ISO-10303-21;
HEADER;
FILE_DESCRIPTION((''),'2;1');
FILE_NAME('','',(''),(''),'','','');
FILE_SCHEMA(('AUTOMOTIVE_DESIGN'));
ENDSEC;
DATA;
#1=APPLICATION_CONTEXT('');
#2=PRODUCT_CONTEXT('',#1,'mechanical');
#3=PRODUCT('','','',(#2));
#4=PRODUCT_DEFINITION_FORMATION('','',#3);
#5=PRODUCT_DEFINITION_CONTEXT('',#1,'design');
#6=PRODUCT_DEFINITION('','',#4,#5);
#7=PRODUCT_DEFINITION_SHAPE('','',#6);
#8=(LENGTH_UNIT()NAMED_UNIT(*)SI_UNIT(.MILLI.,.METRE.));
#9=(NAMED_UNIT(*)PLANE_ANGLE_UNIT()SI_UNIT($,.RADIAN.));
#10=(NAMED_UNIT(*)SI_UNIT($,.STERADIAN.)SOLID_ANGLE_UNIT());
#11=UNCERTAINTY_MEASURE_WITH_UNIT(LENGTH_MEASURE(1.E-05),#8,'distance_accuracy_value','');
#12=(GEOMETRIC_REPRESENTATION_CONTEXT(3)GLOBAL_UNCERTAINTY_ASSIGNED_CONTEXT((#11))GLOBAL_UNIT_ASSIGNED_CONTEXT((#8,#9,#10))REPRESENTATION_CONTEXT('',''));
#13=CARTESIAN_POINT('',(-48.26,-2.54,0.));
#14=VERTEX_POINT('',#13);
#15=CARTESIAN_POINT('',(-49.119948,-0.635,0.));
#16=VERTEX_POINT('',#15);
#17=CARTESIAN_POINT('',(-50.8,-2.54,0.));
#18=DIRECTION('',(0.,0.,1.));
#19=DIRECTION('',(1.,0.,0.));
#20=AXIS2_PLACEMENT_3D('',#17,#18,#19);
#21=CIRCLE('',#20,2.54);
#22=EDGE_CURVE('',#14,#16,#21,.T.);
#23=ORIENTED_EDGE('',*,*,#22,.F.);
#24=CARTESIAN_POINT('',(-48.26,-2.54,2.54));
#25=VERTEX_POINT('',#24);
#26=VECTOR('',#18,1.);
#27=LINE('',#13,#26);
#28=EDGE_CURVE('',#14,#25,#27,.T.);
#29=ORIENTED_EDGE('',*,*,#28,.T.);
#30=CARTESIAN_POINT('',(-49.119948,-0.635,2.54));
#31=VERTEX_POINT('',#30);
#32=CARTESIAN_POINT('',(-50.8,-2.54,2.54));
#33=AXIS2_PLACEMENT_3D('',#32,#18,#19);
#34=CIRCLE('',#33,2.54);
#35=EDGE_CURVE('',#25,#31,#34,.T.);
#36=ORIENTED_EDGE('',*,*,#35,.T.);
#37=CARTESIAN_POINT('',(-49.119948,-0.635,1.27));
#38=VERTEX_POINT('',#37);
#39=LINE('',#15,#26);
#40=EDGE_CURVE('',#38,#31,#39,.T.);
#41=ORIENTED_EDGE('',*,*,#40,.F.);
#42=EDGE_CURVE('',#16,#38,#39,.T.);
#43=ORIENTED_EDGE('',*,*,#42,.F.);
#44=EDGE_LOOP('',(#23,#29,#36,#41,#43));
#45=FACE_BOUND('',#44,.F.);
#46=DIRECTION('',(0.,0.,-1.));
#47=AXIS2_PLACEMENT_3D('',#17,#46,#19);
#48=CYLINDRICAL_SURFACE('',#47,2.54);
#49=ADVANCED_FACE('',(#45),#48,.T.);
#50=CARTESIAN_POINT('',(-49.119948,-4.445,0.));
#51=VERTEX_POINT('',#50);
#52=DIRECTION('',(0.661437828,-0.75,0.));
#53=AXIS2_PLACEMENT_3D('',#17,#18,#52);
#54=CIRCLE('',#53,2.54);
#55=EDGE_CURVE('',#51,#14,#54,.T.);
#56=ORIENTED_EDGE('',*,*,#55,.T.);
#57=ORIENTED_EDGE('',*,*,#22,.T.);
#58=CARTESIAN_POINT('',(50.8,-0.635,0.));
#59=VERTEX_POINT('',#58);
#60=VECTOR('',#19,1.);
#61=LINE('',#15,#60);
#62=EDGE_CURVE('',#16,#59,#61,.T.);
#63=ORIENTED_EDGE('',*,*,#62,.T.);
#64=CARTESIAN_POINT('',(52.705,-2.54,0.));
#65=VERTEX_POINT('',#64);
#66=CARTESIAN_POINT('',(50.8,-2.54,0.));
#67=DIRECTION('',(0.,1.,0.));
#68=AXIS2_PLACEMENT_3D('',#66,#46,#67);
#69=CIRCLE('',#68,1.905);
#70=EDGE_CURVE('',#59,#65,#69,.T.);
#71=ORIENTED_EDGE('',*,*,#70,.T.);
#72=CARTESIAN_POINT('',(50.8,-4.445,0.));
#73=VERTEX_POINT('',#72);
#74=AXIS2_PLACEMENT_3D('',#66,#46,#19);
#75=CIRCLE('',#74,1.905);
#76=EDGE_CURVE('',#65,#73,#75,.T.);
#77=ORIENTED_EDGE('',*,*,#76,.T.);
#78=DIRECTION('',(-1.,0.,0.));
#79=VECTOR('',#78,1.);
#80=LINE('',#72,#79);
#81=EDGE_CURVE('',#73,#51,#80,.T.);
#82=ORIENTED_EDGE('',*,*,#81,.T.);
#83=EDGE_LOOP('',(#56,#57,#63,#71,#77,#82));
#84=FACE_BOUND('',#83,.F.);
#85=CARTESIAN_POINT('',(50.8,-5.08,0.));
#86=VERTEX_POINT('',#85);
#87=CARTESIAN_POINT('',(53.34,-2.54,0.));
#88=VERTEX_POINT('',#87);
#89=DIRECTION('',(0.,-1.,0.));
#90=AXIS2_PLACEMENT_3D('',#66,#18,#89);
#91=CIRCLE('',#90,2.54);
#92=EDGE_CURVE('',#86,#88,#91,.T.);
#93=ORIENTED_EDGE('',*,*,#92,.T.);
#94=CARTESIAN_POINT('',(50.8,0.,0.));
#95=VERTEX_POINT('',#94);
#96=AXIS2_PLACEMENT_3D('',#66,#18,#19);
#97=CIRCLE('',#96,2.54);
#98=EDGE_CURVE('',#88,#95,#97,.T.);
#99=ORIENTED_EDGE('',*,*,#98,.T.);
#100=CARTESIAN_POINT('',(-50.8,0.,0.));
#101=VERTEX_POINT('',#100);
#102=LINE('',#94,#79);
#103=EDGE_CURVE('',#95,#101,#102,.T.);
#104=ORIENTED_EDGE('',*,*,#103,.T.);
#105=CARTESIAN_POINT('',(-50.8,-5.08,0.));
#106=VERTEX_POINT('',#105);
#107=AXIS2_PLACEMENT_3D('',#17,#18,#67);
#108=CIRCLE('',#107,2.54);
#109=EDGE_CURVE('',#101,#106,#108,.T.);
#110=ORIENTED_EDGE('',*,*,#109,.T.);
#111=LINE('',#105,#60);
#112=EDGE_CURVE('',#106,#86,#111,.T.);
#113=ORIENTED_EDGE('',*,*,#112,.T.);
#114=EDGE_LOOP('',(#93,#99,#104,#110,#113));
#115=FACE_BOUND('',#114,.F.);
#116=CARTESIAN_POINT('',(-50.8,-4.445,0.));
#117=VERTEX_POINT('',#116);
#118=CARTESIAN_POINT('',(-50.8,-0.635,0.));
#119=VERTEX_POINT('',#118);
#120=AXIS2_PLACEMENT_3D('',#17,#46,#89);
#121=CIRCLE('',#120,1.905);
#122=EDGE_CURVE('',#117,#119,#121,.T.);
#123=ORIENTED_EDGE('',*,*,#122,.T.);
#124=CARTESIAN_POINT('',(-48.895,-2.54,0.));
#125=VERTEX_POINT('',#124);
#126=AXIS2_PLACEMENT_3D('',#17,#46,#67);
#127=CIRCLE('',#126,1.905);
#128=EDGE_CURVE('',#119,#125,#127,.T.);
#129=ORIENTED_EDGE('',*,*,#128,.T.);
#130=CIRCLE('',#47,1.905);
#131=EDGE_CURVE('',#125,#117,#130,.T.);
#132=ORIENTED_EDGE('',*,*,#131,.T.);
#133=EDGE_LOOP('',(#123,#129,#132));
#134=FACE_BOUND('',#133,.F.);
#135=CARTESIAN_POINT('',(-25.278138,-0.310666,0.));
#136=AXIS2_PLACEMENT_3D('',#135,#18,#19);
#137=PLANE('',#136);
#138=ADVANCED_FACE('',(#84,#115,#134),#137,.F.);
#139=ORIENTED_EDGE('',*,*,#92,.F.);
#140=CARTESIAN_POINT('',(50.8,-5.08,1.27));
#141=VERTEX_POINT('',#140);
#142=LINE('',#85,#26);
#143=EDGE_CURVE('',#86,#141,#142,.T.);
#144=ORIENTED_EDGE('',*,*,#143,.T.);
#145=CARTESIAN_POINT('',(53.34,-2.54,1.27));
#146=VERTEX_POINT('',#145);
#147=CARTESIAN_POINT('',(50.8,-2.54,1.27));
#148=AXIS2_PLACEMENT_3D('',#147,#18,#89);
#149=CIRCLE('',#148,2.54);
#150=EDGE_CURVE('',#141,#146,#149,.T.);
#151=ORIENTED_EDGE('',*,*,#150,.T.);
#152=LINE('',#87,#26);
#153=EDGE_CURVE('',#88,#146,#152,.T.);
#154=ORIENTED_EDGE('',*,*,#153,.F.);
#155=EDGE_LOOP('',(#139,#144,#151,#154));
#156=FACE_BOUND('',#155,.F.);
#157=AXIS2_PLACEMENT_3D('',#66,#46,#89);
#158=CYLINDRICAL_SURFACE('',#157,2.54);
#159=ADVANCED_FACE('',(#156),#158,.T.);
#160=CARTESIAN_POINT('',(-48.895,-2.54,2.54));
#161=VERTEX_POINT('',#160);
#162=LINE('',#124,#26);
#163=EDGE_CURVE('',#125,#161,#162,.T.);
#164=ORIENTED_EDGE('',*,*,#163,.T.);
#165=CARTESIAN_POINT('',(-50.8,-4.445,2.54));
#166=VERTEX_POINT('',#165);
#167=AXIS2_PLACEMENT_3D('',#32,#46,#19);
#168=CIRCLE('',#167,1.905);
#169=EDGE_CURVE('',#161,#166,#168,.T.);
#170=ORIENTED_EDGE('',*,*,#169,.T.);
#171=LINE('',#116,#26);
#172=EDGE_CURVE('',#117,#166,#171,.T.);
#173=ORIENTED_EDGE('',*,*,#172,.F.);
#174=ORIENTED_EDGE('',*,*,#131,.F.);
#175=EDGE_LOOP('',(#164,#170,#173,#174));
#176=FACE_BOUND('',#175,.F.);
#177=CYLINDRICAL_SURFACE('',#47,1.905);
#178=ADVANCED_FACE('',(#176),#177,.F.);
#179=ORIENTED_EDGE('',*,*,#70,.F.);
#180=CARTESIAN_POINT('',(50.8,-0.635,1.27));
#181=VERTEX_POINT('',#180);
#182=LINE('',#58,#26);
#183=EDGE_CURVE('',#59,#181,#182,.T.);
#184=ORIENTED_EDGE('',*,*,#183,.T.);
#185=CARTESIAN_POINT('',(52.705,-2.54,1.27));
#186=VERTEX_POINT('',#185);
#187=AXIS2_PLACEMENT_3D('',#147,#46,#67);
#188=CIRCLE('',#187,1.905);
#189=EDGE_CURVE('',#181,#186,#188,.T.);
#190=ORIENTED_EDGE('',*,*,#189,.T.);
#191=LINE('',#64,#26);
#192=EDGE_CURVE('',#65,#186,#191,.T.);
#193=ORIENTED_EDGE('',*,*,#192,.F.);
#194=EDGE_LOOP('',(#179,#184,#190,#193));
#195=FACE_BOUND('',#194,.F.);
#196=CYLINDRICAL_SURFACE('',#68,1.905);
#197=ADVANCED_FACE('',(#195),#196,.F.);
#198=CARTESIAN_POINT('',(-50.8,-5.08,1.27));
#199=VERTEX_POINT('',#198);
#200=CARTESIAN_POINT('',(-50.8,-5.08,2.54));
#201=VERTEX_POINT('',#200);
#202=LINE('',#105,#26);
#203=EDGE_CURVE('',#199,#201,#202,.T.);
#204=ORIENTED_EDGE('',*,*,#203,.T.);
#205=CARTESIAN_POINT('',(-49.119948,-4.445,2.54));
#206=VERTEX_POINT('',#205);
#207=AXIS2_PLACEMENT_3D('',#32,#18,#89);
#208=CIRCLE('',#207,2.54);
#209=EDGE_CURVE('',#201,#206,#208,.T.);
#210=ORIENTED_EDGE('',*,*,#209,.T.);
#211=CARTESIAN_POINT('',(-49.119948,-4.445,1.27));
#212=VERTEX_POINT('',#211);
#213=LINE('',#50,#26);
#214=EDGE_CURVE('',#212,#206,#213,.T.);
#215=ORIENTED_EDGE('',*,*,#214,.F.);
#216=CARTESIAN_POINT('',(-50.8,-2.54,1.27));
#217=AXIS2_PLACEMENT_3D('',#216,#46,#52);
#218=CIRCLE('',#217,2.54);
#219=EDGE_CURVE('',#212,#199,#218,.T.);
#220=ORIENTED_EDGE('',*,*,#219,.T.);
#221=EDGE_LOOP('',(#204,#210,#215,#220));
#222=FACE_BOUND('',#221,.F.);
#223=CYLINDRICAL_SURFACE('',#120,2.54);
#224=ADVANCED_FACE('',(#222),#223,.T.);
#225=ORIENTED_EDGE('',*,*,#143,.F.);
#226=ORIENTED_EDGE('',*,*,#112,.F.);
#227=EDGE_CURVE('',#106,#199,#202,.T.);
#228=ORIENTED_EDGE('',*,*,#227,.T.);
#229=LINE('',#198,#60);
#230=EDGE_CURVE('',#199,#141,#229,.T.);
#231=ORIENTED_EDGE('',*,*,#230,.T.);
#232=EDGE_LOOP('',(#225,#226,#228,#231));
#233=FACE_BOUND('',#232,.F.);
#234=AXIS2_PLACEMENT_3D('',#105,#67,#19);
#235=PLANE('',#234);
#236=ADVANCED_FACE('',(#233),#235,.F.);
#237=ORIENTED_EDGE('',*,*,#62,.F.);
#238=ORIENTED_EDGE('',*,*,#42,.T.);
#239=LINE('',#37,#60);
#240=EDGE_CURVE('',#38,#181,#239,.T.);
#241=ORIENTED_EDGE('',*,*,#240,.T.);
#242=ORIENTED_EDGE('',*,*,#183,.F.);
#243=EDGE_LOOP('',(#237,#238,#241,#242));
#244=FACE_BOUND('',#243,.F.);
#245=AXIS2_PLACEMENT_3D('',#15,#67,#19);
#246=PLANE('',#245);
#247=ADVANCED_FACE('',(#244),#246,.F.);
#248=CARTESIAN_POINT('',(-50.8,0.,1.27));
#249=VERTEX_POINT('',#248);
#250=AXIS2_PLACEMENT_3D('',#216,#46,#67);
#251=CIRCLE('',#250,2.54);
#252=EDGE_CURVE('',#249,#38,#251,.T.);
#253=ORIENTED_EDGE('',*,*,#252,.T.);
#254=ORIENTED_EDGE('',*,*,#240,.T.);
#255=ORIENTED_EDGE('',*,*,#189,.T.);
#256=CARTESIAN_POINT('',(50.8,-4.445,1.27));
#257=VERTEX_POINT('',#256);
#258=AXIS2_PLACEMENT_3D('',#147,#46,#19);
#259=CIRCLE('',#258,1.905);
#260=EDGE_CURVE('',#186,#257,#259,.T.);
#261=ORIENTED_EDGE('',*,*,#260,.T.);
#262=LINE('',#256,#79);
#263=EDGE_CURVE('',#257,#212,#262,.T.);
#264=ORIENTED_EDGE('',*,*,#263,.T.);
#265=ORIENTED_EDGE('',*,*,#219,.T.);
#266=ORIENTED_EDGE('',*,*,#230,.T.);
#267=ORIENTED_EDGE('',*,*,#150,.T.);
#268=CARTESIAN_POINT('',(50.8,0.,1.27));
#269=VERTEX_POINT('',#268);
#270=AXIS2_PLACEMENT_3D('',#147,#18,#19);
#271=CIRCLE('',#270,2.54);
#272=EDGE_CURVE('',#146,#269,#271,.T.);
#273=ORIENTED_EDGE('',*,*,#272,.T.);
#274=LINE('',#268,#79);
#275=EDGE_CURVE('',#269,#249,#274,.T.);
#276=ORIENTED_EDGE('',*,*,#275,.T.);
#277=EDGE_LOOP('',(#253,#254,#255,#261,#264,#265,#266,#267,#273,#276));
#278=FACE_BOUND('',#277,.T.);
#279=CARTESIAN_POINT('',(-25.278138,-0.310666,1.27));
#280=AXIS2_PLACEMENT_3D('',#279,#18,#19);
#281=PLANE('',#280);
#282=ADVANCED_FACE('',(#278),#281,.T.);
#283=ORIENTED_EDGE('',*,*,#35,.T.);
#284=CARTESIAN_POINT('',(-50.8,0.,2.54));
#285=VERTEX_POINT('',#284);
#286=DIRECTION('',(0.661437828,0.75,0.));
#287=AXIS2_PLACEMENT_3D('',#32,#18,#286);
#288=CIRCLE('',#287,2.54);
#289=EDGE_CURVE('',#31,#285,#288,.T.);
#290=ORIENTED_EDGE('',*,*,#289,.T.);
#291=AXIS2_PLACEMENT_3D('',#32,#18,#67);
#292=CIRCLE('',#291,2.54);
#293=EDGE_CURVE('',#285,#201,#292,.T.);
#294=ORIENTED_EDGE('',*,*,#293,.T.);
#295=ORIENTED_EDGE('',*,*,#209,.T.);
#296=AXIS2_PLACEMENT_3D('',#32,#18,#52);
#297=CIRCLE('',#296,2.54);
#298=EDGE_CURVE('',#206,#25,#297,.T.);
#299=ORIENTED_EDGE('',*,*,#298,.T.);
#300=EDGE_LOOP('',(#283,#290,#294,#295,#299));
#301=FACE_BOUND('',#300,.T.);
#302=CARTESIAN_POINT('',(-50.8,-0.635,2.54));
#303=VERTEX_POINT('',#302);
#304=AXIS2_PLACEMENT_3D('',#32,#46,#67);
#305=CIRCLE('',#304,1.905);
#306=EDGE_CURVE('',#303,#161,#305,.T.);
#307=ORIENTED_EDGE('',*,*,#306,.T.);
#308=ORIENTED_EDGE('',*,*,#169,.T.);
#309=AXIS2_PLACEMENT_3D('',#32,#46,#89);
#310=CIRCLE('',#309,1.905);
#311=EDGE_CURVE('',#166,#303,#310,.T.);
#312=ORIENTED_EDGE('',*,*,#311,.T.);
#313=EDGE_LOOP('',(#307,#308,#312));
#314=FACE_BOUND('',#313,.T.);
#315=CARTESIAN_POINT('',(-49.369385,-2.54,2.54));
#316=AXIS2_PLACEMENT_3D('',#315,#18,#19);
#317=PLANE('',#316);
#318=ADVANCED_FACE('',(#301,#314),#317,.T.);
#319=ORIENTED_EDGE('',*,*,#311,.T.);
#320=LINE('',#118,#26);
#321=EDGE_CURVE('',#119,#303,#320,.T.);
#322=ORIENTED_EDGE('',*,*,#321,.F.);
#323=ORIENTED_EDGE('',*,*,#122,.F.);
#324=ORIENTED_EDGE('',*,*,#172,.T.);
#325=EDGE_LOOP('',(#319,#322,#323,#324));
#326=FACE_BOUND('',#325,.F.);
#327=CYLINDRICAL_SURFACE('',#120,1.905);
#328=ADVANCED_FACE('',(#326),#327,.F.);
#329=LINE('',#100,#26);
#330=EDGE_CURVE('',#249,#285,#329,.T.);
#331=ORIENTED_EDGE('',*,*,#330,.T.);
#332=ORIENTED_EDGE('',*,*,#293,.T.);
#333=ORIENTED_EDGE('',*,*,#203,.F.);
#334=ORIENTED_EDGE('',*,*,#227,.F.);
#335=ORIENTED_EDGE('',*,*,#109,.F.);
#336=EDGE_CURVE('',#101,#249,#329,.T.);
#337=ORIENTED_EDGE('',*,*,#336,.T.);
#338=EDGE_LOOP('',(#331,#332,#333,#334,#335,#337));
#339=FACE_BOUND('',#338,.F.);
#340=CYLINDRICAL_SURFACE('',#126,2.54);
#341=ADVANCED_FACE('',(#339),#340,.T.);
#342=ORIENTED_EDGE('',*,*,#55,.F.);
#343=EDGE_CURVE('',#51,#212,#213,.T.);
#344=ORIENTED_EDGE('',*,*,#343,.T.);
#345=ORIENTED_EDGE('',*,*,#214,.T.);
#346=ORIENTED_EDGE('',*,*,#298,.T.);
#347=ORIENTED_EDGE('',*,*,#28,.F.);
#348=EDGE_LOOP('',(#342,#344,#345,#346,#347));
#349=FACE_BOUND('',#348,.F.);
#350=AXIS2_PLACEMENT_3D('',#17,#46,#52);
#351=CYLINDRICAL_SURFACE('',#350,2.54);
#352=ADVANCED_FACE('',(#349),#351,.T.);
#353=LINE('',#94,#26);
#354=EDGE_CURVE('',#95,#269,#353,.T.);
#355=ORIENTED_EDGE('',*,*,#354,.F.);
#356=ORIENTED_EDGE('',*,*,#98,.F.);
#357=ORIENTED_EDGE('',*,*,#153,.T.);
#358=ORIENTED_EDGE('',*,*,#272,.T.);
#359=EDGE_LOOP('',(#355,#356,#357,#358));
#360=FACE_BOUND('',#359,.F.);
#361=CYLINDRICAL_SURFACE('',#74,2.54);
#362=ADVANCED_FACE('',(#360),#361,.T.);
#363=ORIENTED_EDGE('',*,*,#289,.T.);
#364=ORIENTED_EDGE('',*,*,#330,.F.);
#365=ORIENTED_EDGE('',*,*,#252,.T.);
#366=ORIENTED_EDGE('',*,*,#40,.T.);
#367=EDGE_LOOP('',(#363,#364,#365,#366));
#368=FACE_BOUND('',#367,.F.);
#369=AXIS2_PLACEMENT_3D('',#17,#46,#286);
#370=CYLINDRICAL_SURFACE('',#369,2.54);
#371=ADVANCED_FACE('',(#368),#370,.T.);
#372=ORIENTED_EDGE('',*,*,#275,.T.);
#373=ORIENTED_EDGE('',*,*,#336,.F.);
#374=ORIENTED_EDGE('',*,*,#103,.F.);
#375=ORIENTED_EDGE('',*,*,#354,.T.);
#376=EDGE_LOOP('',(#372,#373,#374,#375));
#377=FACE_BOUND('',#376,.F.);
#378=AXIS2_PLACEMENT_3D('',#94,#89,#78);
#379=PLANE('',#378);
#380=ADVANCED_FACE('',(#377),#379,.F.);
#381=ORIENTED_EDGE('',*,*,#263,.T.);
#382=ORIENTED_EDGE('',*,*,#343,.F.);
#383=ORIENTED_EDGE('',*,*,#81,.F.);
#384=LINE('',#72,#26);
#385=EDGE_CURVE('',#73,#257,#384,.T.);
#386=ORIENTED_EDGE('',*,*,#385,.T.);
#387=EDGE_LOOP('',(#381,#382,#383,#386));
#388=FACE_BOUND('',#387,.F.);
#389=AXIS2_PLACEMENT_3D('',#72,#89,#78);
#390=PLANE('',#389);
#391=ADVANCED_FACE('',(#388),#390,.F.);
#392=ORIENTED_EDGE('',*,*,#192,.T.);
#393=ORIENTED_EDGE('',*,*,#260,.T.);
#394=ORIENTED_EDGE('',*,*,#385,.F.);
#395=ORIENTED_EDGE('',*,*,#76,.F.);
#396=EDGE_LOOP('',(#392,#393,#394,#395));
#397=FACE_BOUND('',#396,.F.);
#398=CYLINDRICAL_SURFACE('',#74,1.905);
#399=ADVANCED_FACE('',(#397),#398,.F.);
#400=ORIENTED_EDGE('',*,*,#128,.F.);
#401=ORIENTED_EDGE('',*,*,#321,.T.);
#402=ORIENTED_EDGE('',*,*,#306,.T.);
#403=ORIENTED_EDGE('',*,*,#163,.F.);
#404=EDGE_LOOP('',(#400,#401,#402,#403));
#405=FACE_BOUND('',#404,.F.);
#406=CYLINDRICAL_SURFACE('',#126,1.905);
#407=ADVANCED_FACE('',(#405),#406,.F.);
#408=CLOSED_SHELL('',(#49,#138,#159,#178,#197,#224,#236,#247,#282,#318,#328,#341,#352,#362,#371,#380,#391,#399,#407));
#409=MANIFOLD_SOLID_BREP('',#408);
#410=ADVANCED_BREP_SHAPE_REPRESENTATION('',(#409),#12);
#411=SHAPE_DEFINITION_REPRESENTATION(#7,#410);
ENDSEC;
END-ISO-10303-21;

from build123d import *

# Parameters (mm, degrees)
F1_DEPTH = 2.54
F2_DEPTH = 1.27


with BuildPart() as f1:
    # F0 (on Top) → F1 (new body)
    with BuildSketch(Plane.XY):
        with BuildLine():
            Line((-49.1199479175, -0.635), (-50.8, -0.635))
            ThreePointArc((-50.8, -0.635), (-49.4529615818, -1.1929615818), (-48.895, -2.54))
            ThreePointArc((-48.895, -2.54), (-49.4529615818, -3.8870384182), (-50.8, -4.445))
            Line((-50.8, -4.445), (-49.1199479175, -4.445))
            ThreePointArc((-49.1199479175, -4.445), (-48.4849479175, -3.5850520825), (-48.26, -2.54))
            ThreePointArc((-48.26, -2.54), (-48.4849479175, -1.4949479175), (-49.1199479175, -0.635))
        make_face()
        with BuildLine():
            ThreePointArc((-49.1199479175, -0.635), (-49.9019743879, -0.1640475594), (-50.8, 0))
            Line((-50.8, 0), (-50.8, -0.635))
            Line((-50.8, -0.635), (-49.1199479175, -0.635))
        make_face()
        with BuildLine():
            Line((-50.8, -0.635), (-50.8, 0))
            ThreePointArc((-50.8, 0), (-53.34, -2.54), (-50.8, -5.08))
            Line((-50.8, -5.08), (-50.8, -4.445))
            ThreePointArc((-50.8, -4.445), (-52.705, -2.54), (-50.8, -0.635))
        make_face()
        with BuildLine():
            Line((-50.8, -4.445), (-50.8, -5.08))
            ThreePointArc((-50.8, -5.08), (-49.9019743879, -4.9159524406), (-49.1199479175, -4.445))
            Line((-49.1199479175, -4.445), (-50.8, -4.445))
        make_face()
    extrude(amount=F1_DEPTH)

    # F0 (on Top) → F2 (join)
    with BuildSketch(Plane.XY):
        with BuildLine():
            Line((0, 0), (-50.8, 0))
            ThreePointArc((-50.8, 0), (-49.9019743879, -0.1640475594), (-49.1199479175, -0.635))
            Line((-49.1199479175, -0.635), (0, -0.635))
            Line((0, -0.635), (0, 0))
        make_face()
        with BuildLine():
            ThreePointArc((-49.1199479175, -4.445), (-49.9019743879, -4.9159524406), (-50.8, -5.08))
            Line((-50.8, -5.08), (0, -5.08))
            Line((0, -5.08), (0, -4.445))
            Line((0, -4.445), (-49.1199479175, -4.445))
        make_face()
        with BuildLine():
            ThreePointArc((53.34, -2.54), (52.5960512242, -0.7439487758), (50.8, 0))
            Line((50.8, 0), (50.8, -0.635))
            ThreePointArc((50.8, -0.635), (52.1470384182, -1.1929615818), (52.705, -2.54))
            ThreePointArc((52.705, -2.54), (52.1470384182, -3.8870384182), (50.8, -4.445))
            Line((50.8, -4.445), (50.8, -5.08))
            ThreePointArc((50.8, -5.08), (52.5960512242, -4.3360512242), (53.34, -2.54))
        make_face()
        with BuildLine():
            Line((50.8, 0), (0, 0))
            Line((0, 0), (0, -0.635))
            Line((0, -0.635), (49.1199479175, -0.635))
            ThreePointArc((49.1199479175, -0.635), (49.9019743879, -0.1640475594), (50.8, 0))
        make_face()
        with BuildLine():
            Line((50.8, -0.635), (50.8, 0))
            ThreePointArc((50.8, 0), (49.9019743879, -0.1640475594), (49.1199479175, -0.635))
            Line((49.1199479175, -0.635), (50.8, -0.635))
        make_face()
        with BuildLine():
            ThreePointArc((49.1199479175, -4.445), (49.9019743879, -4.9159524406), (50.8, -5.08))
            Line((50.8, -5.08), (50.8, -4.445))
            Line((50.8, -4.445), (49.1199479175, -4.445))
        make_face()
        with BuildLine():
            Line((0, -4.445), (0, -5.08))
            Line((0, -5.08), (50.8, -5.08))
            ThreePointArc((50.8, -5.08), (49.9019743879, -4.9159524406), (49.1199479175, -4.445))
            Line((49.1199479175, -4.445), (0, -4.445))
        make_face()
    extrude(amount=F2_DEPTH)


solid = f1.part
